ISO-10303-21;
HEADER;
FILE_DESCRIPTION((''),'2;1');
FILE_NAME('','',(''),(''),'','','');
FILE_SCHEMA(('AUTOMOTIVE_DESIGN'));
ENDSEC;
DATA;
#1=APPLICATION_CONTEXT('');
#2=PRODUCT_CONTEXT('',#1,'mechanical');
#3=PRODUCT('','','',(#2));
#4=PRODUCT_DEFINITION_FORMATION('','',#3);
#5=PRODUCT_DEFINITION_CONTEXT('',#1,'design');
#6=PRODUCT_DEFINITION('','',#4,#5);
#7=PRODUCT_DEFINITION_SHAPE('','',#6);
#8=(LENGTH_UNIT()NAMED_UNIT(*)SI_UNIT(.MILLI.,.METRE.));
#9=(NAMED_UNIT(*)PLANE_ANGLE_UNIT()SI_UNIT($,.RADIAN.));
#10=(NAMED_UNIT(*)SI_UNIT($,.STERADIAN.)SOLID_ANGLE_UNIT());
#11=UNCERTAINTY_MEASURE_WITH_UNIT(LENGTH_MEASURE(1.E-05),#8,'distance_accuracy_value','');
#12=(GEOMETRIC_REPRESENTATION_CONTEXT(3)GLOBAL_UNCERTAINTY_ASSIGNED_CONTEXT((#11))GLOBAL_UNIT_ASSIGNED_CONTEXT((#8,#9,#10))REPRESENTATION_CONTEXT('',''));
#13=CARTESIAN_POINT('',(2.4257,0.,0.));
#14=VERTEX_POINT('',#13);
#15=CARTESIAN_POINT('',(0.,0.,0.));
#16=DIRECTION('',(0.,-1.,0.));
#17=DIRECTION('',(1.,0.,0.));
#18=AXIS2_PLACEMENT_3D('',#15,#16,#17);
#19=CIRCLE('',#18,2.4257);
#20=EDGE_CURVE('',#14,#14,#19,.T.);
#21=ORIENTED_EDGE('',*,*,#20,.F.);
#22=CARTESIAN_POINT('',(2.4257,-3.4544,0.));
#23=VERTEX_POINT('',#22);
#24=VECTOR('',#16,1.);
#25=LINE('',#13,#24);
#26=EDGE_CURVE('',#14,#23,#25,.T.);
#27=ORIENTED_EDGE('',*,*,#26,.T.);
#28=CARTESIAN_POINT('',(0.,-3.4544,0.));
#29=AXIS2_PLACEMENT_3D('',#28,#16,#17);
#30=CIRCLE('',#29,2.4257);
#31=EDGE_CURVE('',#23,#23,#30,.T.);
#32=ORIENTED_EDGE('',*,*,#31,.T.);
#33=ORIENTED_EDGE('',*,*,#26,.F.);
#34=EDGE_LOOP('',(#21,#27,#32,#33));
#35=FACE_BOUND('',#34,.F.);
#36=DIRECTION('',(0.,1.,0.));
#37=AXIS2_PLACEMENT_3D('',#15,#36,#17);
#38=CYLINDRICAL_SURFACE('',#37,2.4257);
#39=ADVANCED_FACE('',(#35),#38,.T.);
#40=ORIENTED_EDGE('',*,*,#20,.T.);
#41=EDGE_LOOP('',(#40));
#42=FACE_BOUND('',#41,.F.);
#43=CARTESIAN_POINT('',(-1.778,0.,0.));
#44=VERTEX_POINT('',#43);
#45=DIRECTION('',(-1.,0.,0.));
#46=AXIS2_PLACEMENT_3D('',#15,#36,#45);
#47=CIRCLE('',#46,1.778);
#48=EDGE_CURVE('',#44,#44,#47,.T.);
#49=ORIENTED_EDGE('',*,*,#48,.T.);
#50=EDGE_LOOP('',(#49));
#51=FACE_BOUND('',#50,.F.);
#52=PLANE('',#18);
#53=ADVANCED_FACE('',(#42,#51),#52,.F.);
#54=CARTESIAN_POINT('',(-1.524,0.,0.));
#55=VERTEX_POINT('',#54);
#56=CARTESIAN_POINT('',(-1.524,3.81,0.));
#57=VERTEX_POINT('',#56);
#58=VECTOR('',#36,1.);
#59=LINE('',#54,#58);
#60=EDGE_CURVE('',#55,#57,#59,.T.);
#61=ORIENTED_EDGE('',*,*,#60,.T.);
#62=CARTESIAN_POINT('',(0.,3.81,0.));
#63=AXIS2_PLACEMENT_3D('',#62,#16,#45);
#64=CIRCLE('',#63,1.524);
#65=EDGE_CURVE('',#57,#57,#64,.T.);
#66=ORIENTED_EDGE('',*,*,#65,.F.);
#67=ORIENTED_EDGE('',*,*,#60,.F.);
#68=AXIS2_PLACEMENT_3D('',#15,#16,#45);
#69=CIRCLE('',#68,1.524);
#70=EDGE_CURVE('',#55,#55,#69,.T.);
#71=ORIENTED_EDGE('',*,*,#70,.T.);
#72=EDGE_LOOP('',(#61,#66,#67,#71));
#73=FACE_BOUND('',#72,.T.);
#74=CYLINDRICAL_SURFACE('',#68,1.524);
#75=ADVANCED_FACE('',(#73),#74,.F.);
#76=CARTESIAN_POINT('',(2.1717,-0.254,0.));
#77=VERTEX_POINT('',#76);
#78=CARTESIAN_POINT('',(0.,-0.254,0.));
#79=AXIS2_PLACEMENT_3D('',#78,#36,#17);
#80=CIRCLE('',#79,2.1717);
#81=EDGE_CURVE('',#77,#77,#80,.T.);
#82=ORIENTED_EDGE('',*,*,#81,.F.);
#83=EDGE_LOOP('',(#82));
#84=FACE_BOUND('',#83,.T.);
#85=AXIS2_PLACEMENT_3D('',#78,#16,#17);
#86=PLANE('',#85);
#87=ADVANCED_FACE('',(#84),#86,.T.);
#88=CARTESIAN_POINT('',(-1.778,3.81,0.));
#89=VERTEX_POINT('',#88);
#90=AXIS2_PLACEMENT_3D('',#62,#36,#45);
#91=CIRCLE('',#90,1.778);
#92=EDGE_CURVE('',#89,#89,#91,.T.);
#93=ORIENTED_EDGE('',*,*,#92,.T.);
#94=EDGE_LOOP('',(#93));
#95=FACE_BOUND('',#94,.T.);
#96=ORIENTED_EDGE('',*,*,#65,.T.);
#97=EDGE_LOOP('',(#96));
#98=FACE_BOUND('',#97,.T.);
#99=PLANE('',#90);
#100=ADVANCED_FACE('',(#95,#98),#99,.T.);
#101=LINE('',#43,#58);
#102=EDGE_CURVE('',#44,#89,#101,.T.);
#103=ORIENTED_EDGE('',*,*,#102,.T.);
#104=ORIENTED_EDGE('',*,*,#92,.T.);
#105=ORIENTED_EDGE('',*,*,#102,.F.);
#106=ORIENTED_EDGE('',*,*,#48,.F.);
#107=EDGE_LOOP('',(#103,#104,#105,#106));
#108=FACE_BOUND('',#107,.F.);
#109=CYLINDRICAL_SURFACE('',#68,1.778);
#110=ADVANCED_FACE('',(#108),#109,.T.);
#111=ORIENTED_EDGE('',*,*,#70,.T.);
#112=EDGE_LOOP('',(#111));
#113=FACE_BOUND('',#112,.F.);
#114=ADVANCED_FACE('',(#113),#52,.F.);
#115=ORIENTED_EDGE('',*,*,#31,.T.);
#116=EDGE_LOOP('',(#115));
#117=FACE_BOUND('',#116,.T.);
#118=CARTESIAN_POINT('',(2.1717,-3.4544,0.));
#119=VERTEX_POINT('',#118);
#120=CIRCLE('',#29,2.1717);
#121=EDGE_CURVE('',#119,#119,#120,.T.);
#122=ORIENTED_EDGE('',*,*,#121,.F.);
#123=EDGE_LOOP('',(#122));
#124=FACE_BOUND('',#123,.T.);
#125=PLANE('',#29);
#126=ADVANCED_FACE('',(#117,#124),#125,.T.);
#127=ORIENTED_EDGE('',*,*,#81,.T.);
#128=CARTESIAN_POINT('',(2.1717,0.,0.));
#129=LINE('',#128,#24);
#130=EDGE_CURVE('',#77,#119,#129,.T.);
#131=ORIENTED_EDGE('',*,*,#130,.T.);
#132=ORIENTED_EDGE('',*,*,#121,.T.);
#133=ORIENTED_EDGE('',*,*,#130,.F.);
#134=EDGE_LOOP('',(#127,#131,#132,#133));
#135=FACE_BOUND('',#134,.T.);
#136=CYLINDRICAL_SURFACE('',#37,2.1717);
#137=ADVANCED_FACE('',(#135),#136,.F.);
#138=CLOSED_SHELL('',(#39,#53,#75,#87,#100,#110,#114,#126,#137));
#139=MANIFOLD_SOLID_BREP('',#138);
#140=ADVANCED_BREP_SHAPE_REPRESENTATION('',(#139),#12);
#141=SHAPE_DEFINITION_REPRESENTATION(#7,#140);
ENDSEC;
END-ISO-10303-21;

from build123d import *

# Parameters (mm, degrees)
F0_R     = 2.4257
F1_DEPTH = 3.4544
F2_T     = -0.254
F3_R     = 1.778
F4_DEPTH = 3.81
F5_T     = -0.254


with BuildPart() as f1:
    # F0 (on Front) → F1 (new body)
    with BuildSketch(Plane.XZ):
        Circle(F0_R)
    extrude(amount=F1_DEPTH)

    # F2
    f2_openings = [f1.faces().sort_by_distance(p)[0] for p in [
        (0, -3.4544, 0),
    ]]
    offset(amount=F2_T, openings=f2_openings)

    # F3 (on face) → F4 (join)
    with BuildSketch(Plane(origin=(0, 0, 0), x_dir=(-1, 0, 0), z_dir=(0, 1, 0))):
        Circle(F3_R)
    extrude(amount=F4_DEPTH)

    # F5
    f5_openings = [f1.faces().sort_by_distance(p)[0] for p in [
        (0, 3.81, 0),
    ]]
    offset(amount=F5_T, openings=f5_openings, kind=Kind.INTERSECTION)


solid = f1.part
